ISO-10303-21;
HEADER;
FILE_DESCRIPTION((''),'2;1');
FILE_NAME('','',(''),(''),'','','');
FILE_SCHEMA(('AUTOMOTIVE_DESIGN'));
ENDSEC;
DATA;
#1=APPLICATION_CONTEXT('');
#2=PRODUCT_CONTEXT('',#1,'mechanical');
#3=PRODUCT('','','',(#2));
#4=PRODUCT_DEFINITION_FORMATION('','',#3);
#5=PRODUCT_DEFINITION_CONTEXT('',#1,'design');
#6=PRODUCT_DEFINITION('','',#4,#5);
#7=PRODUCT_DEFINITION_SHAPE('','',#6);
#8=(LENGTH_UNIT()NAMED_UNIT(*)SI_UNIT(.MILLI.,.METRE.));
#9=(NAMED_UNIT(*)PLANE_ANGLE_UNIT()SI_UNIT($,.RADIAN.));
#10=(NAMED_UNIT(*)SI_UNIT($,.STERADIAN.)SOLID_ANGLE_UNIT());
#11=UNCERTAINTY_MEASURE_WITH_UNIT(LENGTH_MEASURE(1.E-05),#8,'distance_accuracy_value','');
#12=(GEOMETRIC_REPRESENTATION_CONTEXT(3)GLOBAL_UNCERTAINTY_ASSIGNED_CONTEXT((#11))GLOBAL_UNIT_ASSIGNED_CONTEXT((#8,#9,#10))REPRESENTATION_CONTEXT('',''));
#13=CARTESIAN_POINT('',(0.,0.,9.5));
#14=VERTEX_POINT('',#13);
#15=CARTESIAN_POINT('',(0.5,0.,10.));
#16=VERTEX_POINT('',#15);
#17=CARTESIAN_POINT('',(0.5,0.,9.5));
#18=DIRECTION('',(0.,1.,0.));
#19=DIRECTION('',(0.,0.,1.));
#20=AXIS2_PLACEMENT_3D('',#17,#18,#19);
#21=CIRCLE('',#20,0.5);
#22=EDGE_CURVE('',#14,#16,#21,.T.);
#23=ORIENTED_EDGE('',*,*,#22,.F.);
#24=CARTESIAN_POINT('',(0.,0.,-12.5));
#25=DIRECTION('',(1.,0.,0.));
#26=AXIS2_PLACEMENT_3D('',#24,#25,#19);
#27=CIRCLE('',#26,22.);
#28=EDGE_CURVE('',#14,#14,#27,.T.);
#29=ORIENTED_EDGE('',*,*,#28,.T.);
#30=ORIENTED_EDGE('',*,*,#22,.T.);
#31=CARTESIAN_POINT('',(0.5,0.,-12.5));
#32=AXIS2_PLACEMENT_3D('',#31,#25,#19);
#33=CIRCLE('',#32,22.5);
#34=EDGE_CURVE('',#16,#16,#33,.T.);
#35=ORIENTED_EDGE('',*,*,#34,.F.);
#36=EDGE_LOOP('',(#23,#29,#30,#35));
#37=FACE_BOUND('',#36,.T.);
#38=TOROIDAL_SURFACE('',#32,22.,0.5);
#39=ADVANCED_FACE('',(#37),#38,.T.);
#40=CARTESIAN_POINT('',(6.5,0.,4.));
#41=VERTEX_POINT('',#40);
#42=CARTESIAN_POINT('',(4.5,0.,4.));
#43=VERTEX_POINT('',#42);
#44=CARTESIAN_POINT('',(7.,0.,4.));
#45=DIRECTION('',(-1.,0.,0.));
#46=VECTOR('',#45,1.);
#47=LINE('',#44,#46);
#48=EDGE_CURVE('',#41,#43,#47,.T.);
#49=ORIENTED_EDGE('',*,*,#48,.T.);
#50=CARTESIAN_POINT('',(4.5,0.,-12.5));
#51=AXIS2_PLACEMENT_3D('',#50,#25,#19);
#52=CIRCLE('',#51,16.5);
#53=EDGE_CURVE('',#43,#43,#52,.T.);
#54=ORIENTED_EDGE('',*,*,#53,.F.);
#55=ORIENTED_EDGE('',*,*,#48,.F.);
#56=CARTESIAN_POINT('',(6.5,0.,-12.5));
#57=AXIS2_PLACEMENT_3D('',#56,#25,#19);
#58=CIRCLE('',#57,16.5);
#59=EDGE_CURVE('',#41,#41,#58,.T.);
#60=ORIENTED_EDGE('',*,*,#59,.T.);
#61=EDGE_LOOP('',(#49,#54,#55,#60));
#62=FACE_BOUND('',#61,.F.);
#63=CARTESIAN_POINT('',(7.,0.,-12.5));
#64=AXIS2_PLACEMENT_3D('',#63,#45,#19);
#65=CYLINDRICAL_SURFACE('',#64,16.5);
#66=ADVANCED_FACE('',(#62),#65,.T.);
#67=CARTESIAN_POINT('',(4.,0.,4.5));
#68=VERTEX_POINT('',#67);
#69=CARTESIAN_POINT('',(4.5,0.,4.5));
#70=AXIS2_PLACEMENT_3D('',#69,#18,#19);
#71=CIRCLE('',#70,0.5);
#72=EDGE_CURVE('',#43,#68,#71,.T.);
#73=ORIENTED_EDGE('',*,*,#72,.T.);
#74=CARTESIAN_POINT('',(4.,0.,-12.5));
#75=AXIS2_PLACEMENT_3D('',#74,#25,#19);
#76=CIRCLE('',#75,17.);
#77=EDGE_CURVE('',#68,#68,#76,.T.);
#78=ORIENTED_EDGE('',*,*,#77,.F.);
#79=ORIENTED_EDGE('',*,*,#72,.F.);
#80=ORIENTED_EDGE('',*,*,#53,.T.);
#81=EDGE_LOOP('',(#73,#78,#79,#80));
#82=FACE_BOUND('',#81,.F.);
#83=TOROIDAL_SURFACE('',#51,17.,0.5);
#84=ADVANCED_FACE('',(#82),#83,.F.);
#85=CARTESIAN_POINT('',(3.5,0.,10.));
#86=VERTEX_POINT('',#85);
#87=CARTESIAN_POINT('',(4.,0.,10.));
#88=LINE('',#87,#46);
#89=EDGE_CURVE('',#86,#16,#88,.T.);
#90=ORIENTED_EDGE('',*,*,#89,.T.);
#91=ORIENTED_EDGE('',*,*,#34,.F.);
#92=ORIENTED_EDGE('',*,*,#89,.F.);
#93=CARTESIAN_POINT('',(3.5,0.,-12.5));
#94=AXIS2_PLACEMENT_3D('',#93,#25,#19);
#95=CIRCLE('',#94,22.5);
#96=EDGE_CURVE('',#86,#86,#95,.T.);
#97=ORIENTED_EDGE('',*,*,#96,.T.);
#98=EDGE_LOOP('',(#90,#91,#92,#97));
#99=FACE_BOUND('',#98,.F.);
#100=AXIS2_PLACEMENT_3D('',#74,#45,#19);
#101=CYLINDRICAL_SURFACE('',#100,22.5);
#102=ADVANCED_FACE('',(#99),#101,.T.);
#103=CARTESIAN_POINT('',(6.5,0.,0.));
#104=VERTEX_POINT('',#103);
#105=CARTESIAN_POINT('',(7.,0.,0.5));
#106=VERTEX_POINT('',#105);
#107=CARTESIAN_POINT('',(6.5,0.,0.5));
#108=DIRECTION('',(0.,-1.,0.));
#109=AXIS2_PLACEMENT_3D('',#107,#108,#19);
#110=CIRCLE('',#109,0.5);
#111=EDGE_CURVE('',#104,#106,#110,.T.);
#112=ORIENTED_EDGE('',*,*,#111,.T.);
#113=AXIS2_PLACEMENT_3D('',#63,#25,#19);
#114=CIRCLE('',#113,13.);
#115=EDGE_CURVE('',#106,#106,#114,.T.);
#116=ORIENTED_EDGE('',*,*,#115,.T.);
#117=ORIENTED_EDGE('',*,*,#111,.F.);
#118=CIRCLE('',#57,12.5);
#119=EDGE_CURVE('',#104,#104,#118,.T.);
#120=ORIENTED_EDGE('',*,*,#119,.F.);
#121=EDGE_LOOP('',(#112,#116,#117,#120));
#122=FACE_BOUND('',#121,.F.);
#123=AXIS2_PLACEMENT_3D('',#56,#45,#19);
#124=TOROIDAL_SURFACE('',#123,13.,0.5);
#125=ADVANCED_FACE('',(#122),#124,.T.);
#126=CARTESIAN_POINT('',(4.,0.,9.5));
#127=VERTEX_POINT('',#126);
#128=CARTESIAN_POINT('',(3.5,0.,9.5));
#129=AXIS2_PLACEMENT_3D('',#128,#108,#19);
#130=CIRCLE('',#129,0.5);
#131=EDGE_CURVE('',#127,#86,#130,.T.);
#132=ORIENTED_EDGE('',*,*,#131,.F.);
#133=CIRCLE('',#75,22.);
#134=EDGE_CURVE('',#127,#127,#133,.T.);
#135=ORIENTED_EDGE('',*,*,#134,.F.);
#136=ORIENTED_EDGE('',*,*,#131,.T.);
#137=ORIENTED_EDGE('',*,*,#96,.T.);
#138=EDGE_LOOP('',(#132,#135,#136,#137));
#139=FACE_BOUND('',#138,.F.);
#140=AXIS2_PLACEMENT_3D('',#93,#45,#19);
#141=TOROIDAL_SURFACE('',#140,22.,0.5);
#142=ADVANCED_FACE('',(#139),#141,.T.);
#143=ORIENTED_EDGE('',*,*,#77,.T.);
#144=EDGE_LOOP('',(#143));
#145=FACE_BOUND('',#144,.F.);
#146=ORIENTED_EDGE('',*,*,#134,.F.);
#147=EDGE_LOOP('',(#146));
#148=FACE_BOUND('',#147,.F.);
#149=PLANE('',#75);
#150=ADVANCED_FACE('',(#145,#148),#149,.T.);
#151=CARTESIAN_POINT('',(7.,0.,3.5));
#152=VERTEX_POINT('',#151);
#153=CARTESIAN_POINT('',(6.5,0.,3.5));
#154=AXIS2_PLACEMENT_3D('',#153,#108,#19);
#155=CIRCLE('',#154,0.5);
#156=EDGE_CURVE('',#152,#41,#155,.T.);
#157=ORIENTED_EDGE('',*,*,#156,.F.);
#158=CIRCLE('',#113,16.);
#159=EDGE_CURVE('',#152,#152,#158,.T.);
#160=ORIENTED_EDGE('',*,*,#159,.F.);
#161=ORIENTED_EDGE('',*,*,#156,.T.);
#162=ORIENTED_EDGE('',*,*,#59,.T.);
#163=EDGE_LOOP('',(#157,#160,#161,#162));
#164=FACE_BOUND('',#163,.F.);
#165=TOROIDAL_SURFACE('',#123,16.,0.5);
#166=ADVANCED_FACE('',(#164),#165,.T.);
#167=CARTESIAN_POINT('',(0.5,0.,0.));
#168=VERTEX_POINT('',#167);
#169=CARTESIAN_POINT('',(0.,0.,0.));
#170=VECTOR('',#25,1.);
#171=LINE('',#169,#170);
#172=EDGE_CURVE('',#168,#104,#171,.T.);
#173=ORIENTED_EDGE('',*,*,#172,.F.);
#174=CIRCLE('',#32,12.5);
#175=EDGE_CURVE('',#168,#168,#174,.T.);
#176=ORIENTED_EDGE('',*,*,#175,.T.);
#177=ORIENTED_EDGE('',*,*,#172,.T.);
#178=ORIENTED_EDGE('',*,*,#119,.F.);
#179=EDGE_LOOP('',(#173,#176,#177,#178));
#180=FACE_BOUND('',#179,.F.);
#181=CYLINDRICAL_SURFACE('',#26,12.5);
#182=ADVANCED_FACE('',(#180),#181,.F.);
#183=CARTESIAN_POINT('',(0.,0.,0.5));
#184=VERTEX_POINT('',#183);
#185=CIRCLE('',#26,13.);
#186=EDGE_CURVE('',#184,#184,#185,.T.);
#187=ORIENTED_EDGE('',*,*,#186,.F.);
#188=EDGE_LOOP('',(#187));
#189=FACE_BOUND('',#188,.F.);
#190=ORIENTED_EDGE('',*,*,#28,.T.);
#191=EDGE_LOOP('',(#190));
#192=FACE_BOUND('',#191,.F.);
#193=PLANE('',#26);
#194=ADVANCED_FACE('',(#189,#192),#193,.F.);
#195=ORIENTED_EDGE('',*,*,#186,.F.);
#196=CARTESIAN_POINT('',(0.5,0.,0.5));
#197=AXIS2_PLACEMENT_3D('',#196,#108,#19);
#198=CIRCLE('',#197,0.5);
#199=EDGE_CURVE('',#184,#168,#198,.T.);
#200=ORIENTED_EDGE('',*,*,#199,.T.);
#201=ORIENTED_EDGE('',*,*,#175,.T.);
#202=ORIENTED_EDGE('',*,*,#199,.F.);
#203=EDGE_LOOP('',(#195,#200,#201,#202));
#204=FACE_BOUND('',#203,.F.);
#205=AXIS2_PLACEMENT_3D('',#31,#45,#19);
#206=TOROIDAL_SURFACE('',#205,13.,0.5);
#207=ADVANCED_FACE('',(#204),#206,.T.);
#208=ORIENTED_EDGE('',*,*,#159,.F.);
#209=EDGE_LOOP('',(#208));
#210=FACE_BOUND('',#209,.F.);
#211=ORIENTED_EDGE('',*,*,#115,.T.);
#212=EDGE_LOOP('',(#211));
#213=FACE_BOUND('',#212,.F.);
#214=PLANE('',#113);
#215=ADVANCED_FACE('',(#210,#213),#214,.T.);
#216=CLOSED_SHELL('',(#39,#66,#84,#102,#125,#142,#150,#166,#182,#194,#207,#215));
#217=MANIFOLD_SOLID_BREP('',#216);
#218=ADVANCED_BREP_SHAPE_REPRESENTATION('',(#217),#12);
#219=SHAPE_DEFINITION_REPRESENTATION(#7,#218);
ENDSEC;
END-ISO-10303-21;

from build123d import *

# Parameters (mm, degrees)
F2_R = 0.5


with BuildPart() as f1:
    # F0 (on Front) → F1 (revolve)
    with BuildSketch(Plane.XZ):
        Polygon((0, 10), (0, 0), (7, 0), (7, 4), (4, 4), (4, 10), align=None)
    revolve(axis=Axis((3.1215194613, 0, -12.5), (1, 0, 0)))

    # F2
    f2_edges = [f1.edges().sort_by_distance(p)[0] for p in [
        (7, 0, -29),
        (7, 0, -25),
        (4, 0, -35),
        (0, 0, -35),
        (0, 0, -25),
        (4, 0, -29),
    ]]
    fillet(f2_edges, radius=F2_R)


solid = f1.part
